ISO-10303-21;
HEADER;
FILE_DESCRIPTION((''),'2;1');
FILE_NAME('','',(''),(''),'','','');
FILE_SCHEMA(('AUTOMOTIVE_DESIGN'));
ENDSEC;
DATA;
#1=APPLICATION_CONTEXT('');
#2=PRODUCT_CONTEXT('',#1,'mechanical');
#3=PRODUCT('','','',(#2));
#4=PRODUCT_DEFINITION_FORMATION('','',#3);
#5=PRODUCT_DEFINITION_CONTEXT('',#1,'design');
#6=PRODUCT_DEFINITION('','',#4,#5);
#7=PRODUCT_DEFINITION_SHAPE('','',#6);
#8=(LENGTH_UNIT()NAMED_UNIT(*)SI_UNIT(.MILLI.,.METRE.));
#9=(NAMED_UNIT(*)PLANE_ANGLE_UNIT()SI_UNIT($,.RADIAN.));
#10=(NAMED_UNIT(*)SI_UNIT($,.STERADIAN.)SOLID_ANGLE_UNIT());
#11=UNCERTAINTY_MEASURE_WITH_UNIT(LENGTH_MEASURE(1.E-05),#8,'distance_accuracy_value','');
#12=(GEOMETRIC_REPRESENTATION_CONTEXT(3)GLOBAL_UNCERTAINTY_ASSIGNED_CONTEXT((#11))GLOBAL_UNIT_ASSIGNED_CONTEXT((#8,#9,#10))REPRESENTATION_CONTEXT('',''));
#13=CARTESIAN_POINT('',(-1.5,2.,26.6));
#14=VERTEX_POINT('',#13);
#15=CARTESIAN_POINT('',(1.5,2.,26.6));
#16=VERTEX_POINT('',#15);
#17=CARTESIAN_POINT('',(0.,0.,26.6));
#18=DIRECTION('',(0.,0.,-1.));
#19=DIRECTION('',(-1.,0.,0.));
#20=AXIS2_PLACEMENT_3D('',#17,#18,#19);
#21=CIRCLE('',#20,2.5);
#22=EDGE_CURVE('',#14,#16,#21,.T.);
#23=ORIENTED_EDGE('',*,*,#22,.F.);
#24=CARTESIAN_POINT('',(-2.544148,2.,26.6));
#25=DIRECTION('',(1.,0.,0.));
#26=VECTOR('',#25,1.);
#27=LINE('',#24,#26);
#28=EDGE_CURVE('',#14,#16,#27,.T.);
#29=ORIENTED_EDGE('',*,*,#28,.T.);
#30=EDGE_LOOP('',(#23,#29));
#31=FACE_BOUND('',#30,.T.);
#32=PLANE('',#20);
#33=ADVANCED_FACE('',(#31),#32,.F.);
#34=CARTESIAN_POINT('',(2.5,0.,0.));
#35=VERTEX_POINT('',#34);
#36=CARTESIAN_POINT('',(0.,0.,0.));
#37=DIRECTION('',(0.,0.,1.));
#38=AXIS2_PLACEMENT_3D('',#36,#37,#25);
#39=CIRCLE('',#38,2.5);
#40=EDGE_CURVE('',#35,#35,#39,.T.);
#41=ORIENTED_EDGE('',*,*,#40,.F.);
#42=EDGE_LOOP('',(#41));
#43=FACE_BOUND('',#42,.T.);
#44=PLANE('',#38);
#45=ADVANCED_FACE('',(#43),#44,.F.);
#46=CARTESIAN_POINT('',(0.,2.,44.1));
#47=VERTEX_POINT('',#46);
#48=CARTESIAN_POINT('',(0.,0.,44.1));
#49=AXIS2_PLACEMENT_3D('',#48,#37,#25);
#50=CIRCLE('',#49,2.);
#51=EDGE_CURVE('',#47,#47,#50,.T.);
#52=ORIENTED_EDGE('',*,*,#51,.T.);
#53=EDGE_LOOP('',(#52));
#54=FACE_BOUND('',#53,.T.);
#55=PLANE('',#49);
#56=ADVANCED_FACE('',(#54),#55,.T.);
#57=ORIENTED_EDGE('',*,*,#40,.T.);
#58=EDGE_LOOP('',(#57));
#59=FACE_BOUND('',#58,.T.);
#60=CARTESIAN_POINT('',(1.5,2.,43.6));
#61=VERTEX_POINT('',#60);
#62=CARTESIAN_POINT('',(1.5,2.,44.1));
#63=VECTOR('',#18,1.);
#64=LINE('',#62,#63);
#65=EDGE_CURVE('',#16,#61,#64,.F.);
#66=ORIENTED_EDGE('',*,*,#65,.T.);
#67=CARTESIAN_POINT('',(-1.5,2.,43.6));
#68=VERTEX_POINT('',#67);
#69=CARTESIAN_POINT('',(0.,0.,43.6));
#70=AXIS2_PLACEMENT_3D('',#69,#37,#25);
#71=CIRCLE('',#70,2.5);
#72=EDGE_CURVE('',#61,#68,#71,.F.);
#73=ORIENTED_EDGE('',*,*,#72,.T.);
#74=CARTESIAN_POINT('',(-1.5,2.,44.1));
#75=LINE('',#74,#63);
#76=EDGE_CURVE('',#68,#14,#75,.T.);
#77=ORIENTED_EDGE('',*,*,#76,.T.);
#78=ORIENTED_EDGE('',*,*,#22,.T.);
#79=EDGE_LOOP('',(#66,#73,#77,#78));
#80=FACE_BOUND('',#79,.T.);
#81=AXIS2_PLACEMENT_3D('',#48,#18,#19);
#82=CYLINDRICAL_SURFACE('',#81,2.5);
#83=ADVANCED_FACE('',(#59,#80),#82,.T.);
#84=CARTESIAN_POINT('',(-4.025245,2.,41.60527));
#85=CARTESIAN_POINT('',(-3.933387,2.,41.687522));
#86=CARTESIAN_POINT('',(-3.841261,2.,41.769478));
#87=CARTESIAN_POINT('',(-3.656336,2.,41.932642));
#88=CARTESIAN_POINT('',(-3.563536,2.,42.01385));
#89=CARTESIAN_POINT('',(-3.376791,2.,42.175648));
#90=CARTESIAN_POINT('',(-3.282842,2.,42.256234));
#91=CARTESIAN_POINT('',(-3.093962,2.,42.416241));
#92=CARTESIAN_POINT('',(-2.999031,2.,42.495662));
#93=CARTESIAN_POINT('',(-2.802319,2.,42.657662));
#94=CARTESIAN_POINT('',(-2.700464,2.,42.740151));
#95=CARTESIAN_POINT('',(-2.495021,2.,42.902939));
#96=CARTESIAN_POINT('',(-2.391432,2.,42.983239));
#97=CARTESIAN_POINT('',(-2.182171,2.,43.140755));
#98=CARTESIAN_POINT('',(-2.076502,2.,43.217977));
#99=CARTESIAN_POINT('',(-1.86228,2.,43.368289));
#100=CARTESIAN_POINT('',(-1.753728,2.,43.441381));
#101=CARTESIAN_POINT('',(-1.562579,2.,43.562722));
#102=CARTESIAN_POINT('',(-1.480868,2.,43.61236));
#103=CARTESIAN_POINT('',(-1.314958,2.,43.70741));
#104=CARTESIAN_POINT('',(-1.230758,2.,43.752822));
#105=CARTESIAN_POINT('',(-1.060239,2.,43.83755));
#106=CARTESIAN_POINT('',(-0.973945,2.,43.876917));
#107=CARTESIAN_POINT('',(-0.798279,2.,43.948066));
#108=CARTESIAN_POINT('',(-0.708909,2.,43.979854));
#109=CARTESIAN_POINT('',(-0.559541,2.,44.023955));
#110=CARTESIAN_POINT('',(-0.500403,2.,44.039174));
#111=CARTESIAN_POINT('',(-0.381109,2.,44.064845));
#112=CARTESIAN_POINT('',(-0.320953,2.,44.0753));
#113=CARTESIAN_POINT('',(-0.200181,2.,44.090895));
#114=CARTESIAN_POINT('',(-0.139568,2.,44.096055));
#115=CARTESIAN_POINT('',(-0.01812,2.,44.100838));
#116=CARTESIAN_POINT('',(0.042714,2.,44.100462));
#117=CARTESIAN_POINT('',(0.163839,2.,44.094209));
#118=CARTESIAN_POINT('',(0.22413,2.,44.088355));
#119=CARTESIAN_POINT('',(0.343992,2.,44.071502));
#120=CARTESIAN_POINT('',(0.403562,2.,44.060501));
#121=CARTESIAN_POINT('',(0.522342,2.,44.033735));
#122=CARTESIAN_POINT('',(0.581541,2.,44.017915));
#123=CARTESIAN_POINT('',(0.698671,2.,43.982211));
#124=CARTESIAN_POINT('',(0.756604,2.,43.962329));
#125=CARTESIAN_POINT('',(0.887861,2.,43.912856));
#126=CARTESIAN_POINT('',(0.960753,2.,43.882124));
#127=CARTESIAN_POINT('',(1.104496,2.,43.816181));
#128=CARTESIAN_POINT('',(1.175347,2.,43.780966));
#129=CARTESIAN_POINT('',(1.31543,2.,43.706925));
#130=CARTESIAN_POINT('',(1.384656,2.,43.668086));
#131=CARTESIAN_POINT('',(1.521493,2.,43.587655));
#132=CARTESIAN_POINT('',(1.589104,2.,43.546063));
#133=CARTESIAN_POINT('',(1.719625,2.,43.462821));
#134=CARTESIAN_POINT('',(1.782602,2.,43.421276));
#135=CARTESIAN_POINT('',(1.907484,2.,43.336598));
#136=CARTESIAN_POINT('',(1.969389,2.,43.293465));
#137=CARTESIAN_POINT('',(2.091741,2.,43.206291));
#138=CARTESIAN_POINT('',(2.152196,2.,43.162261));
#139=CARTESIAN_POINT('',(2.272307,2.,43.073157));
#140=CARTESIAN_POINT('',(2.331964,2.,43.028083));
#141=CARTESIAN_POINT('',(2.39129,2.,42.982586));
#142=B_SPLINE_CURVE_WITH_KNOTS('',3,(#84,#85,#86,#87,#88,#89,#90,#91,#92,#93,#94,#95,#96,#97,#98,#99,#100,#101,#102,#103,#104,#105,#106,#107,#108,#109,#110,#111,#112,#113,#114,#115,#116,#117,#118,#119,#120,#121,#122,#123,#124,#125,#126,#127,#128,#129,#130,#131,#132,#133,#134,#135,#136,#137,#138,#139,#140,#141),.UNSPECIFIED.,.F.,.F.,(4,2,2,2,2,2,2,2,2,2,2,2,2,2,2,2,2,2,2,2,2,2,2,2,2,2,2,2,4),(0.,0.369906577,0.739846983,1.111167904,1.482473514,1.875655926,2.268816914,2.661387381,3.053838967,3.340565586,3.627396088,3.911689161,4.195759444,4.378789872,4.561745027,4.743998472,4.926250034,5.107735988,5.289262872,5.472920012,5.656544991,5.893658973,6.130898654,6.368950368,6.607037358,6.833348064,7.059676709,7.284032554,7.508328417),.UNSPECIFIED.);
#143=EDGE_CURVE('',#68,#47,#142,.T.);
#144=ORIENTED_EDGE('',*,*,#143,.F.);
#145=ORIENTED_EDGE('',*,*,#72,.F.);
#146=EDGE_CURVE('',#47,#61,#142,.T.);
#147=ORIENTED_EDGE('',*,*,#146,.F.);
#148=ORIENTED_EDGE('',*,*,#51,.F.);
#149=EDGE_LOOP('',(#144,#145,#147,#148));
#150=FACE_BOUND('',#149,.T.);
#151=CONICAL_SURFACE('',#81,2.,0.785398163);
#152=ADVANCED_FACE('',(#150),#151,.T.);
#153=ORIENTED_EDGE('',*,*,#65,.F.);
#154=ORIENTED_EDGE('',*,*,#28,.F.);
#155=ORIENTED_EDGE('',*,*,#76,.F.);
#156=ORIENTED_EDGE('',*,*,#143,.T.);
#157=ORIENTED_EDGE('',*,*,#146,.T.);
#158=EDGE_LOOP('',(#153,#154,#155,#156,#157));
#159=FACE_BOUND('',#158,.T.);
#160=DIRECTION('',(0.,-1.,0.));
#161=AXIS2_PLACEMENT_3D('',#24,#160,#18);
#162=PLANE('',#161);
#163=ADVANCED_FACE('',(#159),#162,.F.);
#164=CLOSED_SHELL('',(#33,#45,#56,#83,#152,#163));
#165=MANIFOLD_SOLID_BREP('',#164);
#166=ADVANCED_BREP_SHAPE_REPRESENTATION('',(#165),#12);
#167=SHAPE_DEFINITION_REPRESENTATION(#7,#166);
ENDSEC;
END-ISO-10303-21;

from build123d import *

# Parameters (mm, degrees)
CROQUIS1_R              = 2.5
SALIENTE_EXTRUIR1_DEPTH = 44.1
REDONDEO1_SIZE          = 0.5
SKETCH_1_W              = 5.27274558
SKETCH_1_H              = 1.959781543
CUT_EXTRUDE_1_DEPTH     = 17.5


with BuildPart() as part:
    # Croquis1 → Saliente-Extruir1 (new body)
    with BuildSketch(Plane.XY):
        Circle(CROQUIS1_R)
    extrude(amount=SALIENTE_EXTRUIR1_DEPTH)

    # Redondeo1
    redondeo1_edges = [part.edges().sort_by_distance(p)[0] for p in [
        (-2.5, 0, 44.1),
    ]]
    chamfer(redondeo1_edges, length=REDONDEO1_SIZE)

    # Эскиз1 → Вырез-Вытянуть1 (cut)
    with BuildSketch(Plane.XY.offset(44.1)):
        with Locations((0.092224381, 2.979890772)):
            Rectangle(SKETCH_1_W, SKETCH_1_H)
    extrude(amount=-CUT_EXTRUDE_1_DEPTH, mode=Mode.SUBTRACT)


solid = part.part
